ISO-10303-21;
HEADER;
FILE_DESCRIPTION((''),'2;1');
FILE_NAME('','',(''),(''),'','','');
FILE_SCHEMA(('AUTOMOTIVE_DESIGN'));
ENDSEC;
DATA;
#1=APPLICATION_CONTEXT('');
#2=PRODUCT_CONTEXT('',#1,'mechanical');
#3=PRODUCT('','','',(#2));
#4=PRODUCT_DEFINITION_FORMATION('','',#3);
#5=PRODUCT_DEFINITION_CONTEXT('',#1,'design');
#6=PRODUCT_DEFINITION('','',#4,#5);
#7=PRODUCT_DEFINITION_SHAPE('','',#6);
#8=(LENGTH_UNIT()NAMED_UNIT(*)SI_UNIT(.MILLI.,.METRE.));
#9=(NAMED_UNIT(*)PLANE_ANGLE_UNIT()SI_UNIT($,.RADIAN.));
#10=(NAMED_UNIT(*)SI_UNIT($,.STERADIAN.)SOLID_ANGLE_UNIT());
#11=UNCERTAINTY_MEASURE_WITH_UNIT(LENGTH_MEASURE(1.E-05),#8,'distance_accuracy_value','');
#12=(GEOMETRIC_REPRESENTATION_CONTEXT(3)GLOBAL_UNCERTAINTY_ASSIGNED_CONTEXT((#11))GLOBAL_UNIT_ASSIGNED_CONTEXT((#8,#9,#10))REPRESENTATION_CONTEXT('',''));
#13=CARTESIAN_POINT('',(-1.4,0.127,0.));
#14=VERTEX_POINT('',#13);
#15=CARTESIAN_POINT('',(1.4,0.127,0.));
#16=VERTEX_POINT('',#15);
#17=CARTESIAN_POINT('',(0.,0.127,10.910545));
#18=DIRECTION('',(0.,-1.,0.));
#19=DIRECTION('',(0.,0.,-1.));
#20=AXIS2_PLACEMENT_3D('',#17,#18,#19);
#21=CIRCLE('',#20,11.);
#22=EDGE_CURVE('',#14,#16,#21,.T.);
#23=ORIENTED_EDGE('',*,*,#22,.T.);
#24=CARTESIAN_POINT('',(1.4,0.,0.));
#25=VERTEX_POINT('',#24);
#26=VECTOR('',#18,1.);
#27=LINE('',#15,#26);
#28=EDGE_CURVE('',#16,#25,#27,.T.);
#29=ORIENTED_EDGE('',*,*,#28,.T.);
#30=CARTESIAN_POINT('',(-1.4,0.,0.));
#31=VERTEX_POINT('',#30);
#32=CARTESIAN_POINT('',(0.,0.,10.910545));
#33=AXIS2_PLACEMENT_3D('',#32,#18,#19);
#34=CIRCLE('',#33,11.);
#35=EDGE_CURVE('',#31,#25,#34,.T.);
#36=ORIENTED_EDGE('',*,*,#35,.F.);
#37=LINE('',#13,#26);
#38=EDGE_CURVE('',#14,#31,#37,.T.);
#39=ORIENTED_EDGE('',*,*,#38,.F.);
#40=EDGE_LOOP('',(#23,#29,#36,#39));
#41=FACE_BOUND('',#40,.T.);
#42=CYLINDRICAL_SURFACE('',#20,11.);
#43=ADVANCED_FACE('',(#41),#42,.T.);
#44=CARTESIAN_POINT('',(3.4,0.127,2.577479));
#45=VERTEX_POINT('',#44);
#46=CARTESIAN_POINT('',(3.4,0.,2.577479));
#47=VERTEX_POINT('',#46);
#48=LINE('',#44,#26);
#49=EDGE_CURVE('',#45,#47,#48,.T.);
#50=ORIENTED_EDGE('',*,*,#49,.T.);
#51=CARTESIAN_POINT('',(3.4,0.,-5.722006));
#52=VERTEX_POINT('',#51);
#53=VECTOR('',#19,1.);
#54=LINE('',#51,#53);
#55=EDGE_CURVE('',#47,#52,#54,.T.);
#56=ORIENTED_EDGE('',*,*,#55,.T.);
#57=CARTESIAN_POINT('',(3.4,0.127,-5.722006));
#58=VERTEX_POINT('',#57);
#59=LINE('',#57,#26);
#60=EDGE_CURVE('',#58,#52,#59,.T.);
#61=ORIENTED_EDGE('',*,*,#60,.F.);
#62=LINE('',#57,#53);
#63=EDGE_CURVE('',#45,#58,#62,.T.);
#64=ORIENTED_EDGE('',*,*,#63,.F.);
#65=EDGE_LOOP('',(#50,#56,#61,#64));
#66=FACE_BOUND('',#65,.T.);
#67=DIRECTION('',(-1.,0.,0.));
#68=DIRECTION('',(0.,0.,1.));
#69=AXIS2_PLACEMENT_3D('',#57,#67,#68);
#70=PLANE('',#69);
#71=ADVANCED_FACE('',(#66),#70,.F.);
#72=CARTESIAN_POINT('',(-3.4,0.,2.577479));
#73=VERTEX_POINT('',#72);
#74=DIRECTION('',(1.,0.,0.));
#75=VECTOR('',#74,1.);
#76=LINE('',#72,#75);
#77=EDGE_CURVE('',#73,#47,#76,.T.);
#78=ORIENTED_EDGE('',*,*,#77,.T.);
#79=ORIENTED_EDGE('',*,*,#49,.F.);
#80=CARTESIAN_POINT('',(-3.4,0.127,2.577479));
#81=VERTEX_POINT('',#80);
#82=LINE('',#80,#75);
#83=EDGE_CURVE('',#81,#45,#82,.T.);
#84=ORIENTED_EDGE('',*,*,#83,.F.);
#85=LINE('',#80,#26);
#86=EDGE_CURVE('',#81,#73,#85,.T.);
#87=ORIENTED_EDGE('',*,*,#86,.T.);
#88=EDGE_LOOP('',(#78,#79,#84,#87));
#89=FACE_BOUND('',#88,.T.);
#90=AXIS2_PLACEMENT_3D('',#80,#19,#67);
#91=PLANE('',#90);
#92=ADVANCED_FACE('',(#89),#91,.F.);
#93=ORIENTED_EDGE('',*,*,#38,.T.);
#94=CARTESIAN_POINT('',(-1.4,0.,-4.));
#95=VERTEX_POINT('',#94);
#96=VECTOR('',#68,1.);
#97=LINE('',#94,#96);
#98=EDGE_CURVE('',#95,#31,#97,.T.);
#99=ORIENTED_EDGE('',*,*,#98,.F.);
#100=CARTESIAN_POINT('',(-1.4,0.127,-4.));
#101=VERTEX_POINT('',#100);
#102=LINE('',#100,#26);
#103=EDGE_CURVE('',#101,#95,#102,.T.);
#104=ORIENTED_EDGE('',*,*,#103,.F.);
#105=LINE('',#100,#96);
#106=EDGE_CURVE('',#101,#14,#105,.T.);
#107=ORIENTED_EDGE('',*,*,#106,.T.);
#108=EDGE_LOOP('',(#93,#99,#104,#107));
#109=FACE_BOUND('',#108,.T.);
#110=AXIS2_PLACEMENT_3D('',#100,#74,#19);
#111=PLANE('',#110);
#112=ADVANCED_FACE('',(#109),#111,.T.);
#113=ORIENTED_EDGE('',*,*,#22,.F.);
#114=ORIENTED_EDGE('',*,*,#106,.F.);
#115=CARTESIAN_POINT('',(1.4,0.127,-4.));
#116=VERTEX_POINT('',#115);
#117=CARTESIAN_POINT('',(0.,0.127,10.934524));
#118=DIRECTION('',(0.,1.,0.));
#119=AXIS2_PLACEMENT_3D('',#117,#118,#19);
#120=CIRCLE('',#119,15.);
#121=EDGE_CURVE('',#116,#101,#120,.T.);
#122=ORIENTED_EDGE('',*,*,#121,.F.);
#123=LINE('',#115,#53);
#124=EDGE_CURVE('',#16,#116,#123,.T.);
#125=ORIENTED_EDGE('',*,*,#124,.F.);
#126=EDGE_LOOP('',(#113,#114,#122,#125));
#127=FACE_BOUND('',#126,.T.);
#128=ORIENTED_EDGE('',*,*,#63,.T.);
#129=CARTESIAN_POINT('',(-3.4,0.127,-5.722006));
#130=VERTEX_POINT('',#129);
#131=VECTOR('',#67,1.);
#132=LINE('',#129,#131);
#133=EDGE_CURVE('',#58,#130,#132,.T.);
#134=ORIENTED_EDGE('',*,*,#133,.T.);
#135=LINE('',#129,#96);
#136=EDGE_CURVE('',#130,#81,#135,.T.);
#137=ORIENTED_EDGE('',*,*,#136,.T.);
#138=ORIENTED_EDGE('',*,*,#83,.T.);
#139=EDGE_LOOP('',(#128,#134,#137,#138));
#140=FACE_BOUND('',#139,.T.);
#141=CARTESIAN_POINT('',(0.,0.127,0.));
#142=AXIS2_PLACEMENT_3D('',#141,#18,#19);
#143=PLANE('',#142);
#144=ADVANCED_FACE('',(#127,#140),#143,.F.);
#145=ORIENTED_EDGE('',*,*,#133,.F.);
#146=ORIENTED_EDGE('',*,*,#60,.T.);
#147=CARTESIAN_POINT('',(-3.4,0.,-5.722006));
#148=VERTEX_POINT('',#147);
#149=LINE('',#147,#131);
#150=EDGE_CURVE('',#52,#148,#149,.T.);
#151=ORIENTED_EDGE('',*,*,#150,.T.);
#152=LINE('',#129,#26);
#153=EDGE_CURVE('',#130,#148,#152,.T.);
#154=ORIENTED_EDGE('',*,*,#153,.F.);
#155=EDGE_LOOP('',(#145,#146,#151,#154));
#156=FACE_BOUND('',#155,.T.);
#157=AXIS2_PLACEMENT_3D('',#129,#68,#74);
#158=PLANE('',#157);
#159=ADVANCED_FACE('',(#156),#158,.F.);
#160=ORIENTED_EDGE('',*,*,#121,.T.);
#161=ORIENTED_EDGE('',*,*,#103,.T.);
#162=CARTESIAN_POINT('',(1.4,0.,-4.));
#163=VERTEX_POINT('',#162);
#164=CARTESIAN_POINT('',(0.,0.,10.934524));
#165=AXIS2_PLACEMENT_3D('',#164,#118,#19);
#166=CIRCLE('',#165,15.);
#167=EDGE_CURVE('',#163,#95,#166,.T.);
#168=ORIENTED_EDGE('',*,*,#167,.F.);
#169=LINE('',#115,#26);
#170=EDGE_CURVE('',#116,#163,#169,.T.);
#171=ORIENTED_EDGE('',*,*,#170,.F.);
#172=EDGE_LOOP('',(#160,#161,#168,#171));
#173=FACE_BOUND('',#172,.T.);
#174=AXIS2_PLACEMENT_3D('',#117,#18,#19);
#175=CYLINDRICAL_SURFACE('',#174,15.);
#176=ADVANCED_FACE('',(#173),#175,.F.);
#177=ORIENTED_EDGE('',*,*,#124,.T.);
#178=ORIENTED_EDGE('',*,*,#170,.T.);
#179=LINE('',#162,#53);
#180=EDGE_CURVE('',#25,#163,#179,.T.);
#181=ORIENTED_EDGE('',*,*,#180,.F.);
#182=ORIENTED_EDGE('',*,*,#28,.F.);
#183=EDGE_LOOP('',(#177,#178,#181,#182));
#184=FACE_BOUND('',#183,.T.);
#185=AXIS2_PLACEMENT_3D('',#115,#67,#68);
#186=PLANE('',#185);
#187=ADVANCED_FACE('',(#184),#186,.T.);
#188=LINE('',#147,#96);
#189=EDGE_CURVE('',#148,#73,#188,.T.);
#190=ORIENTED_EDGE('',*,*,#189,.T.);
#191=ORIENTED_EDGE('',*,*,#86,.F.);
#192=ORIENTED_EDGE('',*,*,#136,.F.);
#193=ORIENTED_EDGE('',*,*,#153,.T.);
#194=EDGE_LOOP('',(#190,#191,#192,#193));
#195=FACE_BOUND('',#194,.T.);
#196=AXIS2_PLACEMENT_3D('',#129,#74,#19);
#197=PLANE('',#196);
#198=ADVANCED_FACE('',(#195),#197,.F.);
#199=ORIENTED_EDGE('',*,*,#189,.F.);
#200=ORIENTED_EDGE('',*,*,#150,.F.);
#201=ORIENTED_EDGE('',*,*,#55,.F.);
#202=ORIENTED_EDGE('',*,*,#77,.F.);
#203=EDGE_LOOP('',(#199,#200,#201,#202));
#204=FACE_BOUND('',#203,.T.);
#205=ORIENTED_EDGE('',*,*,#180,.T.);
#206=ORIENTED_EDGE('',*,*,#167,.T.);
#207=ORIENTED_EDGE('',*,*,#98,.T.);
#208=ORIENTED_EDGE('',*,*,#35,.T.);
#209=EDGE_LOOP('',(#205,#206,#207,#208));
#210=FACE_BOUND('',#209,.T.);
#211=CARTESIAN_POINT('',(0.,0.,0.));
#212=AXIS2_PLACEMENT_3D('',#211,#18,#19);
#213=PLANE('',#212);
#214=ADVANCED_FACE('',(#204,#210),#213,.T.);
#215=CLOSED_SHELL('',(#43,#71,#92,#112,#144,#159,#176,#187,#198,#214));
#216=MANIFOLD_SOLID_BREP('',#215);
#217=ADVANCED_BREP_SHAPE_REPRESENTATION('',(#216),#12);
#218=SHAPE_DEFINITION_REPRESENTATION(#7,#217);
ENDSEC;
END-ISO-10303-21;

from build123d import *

# Parameters (mm, degrees)
SKETCH1_W           = 6.8
SKETCH1_H           = 8.299485184
BOSS_EXTRUDE1_DEPTH = 0.127


with BuildPart() as part:
    # Sketch1 → Boss-Extrude1 (new body)
    with BuildSketch(Plane(origin=(0, 0, 0), x_dir=(1, 0, 0), z_dir=(0, 1, 0))):
        with Locations((0, 1.572263897)):
            Rectangle(SKETCH1_W, SKETCH1_H)
        with BuildLine():
            Line((-1.4, 4), (-1.4, 0))
            ThreePointArc((-1.4, 0), (0, 0.089454642), (1.4, 0))
            Line((1.4, 0), (1.4, 4))
            ThreePointArc((1.4, 4), (0, 4.065476238), (-1.4, 4))
        make_face(mode=Mode.SUBTRACT)
    extrude(amount=BOSS_EXTRUDE1_DEPTH)


solid = part.part
